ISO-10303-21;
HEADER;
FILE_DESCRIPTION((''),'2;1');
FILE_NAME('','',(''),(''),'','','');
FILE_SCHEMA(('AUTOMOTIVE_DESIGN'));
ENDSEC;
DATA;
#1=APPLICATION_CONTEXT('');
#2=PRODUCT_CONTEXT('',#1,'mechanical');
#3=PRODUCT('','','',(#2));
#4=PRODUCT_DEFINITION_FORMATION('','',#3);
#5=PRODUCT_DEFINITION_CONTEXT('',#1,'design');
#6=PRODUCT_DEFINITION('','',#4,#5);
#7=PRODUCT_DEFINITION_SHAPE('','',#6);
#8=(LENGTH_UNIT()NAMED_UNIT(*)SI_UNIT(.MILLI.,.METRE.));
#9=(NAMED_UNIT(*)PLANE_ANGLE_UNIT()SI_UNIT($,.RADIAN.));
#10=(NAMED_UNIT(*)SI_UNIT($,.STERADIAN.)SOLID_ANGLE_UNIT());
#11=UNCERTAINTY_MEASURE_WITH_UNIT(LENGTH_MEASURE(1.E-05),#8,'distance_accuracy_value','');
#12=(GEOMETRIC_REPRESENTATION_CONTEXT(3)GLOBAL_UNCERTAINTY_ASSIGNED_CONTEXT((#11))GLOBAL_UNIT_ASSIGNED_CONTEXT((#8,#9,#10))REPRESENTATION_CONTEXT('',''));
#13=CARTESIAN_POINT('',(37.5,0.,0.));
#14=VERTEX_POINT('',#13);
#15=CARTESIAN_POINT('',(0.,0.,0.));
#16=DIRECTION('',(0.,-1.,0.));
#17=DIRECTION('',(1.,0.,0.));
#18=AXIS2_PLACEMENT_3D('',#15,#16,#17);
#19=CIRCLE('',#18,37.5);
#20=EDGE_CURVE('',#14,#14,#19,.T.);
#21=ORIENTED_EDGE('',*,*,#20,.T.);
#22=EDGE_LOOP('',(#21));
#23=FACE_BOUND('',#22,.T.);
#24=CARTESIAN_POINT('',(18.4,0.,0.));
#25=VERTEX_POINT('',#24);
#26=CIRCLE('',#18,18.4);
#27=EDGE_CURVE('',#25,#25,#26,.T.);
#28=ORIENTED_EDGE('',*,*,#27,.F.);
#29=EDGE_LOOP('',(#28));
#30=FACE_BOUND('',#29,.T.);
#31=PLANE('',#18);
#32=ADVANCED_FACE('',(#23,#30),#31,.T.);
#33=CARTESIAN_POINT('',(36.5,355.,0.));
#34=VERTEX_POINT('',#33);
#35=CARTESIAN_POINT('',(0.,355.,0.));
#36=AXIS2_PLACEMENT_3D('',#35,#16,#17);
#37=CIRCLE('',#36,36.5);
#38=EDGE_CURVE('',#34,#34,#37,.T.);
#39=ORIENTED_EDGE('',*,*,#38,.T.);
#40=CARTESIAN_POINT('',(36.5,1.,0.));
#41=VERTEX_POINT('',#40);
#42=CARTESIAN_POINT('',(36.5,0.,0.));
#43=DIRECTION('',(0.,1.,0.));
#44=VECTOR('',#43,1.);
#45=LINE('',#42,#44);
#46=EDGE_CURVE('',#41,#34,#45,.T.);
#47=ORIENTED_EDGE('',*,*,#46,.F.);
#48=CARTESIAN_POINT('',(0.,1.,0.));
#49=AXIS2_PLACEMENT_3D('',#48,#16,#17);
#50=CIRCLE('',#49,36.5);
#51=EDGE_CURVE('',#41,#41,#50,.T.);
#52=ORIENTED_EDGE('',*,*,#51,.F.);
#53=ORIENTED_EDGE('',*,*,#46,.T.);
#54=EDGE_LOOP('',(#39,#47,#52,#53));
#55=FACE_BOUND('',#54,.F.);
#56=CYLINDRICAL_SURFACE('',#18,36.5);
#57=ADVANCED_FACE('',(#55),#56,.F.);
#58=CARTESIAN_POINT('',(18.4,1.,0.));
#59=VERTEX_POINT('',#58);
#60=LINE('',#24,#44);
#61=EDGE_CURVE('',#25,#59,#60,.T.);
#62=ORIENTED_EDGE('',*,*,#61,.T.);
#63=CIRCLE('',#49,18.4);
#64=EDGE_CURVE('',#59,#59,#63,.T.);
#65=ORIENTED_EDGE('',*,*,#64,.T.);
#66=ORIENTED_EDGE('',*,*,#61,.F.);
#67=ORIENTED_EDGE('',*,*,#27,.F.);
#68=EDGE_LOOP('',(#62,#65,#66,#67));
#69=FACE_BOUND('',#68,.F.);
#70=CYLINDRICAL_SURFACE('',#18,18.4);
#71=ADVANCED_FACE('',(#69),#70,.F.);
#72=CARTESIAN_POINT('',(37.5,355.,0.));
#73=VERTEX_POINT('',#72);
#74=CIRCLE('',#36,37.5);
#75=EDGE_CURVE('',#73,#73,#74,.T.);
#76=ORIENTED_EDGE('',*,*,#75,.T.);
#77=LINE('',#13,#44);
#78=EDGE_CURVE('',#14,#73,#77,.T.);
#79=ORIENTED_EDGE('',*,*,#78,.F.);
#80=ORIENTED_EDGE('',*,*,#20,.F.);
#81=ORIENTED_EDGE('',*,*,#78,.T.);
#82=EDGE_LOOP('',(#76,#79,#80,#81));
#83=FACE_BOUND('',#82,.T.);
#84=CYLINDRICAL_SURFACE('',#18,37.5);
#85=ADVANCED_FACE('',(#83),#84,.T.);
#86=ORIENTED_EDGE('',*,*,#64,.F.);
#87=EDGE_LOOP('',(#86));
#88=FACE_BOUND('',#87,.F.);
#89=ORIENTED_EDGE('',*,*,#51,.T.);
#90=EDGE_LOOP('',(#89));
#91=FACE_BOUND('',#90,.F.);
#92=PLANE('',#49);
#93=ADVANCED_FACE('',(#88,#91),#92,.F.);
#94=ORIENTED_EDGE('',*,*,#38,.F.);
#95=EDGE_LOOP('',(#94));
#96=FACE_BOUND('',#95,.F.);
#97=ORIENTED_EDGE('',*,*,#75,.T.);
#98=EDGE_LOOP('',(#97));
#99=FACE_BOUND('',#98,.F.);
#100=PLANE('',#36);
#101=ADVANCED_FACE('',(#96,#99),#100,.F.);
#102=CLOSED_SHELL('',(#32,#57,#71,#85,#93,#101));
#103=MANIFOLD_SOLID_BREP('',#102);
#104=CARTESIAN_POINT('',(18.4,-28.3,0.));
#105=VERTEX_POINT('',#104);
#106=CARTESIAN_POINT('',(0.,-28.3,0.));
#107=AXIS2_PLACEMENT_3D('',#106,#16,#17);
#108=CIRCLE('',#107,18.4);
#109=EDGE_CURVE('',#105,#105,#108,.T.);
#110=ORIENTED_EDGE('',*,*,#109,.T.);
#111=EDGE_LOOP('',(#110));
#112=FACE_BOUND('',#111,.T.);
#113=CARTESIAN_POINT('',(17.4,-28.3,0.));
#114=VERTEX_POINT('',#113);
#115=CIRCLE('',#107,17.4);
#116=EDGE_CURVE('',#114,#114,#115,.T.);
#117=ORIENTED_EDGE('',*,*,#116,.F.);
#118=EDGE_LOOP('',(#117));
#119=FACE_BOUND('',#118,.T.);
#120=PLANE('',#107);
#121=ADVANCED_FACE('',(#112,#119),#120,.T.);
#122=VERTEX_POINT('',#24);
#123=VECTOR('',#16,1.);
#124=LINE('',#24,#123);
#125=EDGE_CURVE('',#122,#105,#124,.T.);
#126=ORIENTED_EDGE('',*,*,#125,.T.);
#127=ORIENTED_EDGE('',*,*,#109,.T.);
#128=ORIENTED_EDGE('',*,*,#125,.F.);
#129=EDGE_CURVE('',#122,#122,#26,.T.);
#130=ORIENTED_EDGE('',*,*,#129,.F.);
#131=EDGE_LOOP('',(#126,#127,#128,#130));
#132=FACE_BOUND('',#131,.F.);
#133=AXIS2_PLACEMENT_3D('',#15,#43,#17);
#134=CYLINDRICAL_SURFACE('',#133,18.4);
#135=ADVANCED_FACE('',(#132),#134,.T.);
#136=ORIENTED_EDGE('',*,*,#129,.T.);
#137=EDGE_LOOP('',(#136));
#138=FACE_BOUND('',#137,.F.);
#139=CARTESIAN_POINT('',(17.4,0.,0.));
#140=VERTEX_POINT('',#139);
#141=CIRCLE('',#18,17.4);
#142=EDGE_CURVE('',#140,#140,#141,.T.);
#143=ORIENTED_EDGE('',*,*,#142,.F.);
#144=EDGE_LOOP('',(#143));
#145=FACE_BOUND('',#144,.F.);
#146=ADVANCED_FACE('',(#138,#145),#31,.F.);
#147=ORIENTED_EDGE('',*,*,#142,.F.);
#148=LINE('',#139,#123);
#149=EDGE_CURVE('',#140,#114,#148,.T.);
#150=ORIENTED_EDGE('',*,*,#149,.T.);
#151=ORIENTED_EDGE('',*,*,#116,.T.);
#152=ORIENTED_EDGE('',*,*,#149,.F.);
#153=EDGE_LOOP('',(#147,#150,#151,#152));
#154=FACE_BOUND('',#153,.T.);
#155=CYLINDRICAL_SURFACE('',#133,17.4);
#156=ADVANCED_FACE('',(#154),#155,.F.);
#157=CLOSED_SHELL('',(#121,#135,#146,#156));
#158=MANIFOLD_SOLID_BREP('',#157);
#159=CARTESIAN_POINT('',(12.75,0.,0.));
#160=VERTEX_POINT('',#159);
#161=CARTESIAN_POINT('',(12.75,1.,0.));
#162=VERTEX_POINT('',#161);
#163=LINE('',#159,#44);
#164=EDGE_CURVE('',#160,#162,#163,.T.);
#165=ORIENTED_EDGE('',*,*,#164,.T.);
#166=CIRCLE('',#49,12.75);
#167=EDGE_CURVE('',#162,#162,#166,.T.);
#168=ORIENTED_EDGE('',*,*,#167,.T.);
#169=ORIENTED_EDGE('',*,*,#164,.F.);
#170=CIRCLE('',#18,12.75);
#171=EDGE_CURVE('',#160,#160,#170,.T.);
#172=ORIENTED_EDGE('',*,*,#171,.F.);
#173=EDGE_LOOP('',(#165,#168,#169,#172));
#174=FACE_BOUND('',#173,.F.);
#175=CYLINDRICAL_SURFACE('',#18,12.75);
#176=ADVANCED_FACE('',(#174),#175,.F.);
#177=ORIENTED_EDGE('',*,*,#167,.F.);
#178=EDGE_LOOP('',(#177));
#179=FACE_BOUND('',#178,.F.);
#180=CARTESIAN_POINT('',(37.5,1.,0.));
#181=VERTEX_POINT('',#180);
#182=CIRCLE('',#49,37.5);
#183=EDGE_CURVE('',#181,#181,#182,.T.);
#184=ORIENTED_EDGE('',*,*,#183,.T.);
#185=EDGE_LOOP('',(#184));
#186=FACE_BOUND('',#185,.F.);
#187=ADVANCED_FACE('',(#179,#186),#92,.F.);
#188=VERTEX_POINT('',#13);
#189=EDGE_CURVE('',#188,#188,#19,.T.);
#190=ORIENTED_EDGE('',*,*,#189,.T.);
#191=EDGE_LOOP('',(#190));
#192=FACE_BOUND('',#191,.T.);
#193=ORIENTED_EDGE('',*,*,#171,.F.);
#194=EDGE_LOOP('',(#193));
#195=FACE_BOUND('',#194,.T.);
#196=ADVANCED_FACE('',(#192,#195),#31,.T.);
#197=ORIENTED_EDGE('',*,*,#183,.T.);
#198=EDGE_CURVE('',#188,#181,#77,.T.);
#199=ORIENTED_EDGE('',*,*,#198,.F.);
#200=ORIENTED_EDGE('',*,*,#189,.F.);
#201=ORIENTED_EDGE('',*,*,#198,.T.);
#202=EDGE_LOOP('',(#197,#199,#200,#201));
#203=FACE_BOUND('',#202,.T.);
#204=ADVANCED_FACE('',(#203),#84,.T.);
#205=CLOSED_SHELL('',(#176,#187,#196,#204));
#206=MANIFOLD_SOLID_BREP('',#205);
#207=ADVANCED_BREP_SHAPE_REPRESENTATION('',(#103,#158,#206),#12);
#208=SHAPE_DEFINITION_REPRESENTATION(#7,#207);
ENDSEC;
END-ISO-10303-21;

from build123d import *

# Parameters (mm, degrees)
F0_R     = 18.4
F0_R_2   = 17.4
F1_DEPTH = 28.3
F2_R     = 37.5
F2_R_2   = 18.4
F3_DEPTH = 1
F4_R     = 37.5
F4_R_2   = 36.5
F5_DEPTH = 355
F6_R     = 37.5
F6_R_2   = 12.75
F7_DEPTH = 1


with BuildPart() as f1:
    # F0 (on Front) → F1 (new body)
    with BuildSketch(Plane.XZ):
        Circle(F0_R)
        Circle(F0_R_2, mode=Mode.SUBTRACT)
    extrude(amount=F1_DEPTH)


with BuildPart() as f3:
    # F2 (on Front) → F3 (new body)
    with BuildSketch(Plane.XZ):
        Circle(F2_R)
        Circle(F2_R_2, mode=Mode.SUBTRACT)
    extrude(amount=-F3_DEPTH)

    # F4 (on Front) → F5 (join)
    with BuildSketch(Plane.XZ):
        Circle(F4_R)
        Circle(F4_R_2, mode=Mode.SUBTRACT)
    extrude(amount=-F5_DEPTH)


with BuildPart() as f7:
    # F6 (on Front) → F7 (new body)
    with BuildSketch(Plane.XZ):
        Circle(F6_R)
        Circle(F6_R_2, mode=Mode.SUBTRACT)
    extrude(amount=-F7_DEPTH)


solid = Compound([f1.part, f3.part, f7.part])
